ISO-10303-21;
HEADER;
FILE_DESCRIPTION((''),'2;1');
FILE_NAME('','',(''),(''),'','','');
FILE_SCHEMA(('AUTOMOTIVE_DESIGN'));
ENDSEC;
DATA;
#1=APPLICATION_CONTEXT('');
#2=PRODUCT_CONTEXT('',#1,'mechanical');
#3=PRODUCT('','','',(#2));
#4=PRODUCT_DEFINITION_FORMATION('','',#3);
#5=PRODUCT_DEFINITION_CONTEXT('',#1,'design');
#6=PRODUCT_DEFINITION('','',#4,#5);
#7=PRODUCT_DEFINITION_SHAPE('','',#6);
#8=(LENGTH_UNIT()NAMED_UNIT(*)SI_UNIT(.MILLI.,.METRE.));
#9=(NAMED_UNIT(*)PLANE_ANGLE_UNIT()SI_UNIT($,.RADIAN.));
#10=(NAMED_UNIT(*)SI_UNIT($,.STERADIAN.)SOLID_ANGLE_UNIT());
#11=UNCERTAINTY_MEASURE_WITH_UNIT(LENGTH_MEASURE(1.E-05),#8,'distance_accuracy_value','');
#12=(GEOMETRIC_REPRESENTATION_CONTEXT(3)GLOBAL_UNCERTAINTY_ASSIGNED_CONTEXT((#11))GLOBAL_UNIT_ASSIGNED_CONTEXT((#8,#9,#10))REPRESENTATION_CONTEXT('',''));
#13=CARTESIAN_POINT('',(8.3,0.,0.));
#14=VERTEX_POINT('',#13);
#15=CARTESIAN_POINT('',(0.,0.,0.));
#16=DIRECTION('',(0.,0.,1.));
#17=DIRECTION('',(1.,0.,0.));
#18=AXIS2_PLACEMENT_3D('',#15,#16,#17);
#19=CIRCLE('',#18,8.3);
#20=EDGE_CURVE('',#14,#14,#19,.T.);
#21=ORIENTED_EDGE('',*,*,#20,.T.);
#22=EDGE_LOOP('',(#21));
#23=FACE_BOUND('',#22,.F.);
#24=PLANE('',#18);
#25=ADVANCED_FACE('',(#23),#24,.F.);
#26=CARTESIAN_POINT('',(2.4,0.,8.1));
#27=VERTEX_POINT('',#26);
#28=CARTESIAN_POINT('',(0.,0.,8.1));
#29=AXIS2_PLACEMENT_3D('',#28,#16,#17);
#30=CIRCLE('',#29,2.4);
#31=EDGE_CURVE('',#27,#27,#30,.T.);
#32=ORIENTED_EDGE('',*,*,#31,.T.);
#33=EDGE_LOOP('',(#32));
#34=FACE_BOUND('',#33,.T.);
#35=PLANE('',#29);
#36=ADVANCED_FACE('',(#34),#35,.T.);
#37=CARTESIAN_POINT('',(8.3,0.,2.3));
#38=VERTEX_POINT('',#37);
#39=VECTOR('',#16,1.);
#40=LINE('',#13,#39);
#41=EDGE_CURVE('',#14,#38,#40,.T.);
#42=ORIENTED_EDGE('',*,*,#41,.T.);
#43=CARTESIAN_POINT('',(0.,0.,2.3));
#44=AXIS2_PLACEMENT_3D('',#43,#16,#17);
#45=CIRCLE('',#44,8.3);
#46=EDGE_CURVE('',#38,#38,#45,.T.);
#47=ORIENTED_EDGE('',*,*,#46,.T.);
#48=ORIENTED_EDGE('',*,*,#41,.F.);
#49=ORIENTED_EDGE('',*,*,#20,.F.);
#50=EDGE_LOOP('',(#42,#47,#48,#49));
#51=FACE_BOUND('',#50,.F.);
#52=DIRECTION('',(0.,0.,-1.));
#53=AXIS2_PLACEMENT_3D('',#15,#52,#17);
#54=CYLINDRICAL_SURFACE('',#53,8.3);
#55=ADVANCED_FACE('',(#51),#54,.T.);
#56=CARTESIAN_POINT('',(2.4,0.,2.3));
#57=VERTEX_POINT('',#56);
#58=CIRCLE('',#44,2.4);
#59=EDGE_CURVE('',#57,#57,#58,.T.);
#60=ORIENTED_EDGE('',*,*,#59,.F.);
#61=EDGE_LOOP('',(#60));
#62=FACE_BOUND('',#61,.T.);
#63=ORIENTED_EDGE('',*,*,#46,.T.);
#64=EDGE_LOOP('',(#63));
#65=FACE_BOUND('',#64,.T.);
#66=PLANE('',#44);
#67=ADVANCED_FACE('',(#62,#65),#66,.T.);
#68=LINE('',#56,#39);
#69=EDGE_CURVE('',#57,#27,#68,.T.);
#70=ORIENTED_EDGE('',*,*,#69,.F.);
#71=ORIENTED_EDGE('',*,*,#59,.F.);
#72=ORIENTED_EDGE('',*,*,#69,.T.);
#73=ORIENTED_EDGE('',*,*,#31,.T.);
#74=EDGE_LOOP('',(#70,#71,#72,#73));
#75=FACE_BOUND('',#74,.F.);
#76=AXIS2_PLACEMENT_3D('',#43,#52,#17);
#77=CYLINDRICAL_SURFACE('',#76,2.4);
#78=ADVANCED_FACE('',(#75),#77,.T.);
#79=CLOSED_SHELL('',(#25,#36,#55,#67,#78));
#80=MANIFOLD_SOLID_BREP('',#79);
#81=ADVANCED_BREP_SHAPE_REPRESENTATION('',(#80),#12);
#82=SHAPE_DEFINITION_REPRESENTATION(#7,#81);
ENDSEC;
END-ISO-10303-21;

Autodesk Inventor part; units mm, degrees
ref_plane "YZ Plane" through (0, 0, 0) normal (1, 0, 0) x (0, 1, 0)
ref_plane "XZ Plane" through (0, 0, 0) normal (0, 1, 0) x (-1, 0, 0)
ref_plane "XY Plane" through (0, 0, 0) normal (0, 0, 1) x (1, 0, 0)
sketch "スケッチ1" plane through (0, 0, 0) normal (0, 0, 1) x (1, 0, 0)
  circle A0 centre (0, 0) radius 8.3
  dimension "d0" = 16.6
extrude "押し出し1" add sketch "スケッチ1" along normal blind 2.3
sketch "スケッチ2" plane through (0, 0, 2.3) normal (0, 0, 1) x (1, 0, 0)
  circle A0 centre (0, 0) radius 8.3 projected
  circle A1 centre (0, 0) radius 2.4
  dimension "d3" = 4.8
extrude "押し出し2" add sketch "スケッチ2" along normal blind 5.8 contours A1
properties part number "知能ロボコンアルミギア１０３Ｃ本" material "アルミニウム 6061"
